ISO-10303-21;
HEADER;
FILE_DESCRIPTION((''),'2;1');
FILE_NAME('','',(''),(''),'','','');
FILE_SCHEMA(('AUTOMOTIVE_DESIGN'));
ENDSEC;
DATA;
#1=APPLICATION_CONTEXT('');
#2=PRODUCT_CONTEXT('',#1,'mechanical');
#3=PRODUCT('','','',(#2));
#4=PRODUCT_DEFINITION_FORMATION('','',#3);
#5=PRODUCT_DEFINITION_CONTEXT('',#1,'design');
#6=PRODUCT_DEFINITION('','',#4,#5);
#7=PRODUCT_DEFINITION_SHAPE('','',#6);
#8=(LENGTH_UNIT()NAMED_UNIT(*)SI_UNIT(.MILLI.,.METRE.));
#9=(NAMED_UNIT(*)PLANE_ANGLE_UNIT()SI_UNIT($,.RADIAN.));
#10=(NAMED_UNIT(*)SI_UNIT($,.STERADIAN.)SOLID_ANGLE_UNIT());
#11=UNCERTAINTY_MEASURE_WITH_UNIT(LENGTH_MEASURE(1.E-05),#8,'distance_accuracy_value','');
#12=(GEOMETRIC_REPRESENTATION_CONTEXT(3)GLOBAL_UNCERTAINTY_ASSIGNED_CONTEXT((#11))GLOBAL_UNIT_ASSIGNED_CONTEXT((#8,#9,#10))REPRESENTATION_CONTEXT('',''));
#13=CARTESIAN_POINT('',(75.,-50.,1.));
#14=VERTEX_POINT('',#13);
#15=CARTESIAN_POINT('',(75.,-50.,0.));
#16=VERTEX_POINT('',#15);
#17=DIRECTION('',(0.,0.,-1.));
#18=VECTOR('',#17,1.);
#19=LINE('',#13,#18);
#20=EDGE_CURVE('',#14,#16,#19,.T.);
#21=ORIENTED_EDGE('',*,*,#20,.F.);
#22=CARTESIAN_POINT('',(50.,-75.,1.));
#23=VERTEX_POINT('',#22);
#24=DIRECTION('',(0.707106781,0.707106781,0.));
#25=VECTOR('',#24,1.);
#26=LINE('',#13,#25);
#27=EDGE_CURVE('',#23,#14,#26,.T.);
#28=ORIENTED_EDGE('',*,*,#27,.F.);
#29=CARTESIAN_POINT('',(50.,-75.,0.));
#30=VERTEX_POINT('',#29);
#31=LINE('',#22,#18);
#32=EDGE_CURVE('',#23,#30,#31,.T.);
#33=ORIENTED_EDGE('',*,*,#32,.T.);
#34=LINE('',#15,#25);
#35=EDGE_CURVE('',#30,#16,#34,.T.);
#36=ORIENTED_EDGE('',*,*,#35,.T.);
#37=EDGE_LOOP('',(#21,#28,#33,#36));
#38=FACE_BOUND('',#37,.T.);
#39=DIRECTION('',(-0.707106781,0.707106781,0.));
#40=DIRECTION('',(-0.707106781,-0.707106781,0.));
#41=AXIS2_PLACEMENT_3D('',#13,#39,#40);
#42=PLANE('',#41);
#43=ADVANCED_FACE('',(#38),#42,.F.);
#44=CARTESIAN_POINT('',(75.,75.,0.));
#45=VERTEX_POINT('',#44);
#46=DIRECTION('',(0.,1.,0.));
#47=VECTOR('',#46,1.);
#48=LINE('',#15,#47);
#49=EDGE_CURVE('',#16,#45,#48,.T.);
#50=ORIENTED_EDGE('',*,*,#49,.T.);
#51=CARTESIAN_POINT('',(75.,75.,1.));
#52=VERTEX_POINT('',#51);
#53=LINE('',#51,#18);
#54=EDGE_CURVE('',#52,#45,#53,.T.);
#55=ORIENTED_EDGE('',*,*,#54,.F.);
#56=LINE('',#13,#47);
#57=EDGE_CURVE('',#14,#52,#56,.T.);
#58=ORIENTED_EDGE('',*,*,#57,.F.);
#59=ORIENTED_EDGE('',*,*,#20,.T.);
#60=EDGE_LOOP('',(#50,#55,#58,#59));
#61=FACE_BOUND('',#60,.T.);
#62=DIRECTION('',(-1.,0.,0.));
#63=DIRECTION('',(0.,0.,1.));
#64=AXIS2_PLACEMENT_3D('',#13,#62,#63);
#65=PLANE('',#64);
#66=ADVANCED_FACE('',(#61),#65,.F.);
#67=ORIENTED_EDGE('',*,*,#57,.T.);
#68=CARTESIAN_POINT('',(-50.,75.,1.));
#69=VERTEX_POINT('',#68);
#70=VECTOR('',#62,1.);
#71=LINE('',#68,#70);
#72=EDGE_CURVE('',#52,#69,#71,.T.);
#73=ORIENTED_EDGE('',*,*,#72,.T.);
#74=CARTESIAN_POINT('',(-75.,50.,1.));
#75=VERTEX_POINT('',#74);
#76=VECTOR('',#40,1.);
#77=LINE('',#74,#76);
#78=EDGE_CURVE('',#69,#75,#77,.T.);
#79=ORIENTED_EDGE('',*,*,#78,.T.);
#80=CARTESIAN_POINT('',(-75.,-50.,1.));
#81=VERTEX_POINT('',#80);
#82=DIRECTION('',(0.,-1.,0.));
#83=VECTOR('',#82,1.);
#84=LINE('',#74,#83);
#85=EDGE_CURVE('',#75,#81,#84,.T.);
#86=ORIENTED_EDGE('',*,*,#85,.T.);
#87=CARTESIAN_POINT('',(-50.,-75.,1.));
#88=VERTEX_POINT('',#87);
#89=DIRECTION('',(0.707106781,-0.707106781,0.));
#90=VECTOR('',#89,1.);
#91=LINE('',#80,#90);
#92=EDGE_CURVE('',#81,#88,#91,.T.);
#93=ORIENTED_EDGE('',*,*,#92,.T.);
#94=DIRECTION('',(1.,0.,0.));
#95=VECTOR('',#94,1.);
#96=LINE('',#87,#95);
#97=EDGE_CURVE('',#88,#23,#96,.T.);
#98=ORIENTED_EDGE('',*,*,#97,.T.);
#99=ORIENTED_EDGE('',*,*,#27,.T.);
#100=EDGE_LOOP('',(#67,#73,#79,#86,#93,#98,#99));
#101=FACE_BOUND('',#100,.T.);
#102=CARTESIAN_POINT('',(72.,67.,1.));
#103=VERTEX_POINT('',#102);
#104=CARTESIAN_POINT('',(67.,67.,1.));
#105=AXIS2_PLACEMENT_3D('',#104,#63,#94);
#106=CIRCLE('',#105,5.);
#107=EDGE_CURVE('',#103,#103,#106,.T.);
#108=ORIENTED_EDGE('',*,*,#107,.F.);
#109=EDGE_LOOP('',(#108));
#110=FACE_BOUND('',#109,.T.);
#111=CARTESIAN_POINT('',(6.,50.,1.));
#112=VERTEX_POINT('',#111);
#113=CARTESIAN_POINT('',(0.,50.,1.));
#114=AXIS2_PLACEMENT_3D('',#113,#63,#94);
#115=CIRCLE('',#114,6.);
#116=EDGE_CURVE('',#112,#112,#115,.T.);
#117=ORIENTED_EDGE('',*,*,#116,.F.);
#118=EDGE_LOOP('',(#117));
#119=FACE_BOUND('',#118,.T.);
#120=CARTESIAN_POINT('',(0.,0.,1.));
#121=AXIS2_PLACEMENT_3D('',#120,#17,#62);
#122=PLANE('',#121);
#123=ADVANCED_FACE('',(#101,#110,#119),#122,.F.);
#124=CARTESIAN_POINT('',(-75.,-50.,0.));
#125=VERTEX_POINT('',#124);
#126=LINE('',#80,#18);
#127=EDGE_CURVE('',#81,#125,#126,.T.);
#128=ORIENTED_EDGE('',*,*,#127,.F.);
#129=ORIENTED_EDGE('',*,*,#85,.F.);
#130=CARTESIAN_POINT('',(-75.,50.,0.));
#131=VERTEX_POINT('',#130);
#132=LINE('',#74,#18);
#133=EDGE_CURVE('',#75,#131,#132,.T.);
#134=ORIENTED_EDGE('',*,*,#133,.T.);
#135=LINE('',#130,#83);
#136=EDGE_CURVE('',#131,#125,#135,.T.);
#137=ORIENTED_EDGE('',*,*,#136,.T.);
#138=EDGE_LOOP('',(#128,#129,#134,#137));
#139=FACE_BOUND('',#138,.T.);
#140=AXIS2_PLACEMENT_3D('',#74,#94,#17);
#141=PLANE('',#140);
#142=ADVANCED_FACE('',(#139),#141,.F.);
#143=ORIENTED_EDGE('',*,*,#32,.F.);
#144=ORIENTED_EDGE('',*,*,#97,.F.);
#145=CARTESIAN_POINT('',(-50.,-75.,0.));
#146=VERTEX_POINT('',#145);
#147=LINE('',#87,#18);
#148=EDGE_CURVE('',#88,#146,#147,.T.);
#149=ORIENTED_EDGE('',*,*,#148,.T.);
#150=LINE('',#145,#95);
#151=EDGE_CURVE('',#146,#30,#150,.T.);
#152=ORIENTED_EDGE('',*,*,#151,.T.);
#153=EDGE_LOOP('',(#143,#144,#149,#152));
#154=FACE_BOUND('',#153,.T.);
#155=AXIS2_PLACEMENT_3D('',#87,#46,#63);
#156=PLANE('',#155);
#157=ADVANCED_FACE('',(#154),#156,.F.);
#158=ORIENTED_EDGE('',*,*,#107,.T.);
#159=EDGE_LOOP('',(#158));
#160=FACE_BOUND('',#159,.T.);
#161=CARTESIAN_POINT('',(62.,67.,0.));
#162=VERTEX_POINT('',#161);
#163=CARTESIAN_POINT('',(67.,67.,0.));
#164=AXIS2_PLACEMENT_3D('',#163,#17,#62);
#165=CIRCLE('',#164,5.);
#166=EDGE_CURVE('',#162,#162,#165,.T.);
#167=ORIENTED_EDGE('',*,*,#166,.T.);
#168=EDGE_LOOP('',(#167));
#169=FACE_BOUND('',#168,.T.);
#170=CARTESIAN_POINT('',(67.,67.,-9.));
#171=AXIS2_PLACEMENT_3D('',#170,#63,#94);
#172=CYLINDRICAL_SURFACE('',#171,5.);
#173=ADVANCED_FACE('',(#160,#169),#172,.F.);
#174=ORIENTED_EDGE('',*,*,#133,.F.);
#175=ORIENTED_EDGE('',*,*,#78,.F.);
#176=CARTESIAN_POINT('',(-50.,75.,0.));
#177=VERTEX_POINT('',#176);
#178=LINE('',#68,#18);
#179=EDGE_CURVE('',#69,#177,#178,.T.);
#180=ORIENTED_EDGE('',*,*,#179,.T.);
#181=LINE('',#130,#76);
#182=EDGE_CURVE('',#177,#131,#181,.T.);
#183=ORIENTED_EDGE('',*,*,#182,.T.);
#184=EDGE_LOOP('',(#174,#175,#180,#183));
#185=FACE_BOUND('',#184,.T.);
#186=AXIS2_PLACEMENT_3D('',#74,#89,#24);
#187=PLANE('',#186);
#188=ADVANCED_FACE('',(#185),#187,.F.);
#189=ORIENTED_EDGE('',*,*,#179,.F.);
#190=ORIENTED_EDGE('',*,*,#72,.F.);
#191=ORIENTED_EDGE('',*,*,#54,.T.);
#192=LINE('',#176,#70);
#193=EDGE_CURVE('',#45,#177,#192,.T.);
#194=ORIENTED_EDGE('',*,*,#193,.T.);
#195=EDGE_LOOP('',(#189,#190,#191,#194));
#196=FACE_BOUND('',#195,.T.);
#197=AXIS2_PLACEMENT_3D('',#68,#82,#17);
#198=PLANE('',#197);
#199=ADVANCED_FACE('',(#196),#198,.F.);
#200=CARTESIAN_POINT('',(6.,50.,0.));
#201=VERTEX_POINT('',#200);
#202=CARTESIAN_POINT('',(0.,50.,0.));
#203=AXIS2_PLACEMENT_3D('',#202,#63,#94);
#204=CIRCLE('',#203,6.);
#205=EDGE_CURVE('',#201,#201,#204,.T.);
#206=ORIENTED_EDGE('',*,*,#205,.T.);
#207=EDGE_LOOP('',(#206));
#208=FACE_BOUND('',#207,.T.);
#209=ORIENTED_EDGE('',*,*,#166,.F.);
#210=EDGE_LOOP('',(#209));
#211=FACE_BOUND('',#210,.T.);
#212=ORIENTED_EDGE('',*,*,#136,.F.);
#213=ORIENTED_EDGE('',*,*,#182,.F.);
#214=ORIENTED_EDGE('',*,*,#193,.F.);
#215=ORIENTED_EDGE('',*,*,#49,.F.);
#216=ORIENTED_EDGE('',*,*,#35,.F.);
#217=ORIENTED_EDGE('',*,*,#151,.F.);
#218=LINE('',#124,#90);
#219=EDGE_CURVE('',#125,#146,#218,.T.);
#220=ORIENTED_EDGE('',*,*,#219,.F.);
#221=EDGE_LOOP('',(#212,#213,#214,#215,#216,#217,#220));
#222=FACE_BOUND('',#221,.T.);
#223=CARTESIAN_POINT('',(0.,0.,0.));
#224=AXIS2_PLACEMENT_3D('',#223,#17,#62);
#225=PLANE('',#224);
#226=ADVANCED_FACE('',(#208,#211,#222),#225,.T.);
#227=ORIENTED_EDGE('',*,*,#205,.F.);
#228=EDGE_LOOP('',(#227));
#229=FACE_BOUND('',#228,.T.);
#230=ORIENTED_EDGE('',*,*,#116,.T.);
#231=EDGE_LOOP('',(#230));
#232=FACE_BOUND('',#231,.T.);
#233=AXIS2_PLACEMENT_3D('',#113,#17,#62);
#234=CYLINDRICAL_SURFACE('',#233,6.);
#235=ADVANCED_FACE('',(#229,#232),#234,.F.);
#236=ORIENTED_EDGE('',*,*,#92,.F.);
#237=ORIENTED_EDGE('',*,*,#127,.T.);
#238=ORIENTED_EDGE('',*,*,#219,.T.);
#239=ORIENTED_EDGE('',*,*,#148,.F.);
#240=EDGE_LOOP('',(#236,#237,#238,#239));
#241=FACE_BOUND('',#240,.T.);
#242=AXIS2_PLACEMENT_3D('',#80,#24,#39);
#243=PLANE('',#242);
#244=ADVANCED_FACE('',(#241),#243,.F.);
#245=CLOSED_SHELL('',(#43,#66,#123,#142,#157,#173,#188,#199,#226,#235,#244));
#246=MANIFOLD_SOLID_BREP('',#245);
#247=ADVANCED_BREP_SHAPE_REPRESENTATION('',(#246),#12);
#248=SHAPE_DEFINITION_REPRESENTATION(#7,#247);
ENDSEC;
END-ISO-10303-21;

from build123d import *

# Parameters (mm, degrees)
SKETCH1_R           = 6
BOSS_EXTRUDE1_DEPTH = 1
SKETCH2_R           = 5
CUT_EXTRUDE1_DEPTH  = 10


with BuildPart() as part:
    # Sketch1 → Boss-Extrude1 (new body)
    with BuildSketch(Plane.XY):
        Polygon((-75, 50), (-50, 75), (75, 75), (75, -50), (50, -75), (-50, -75), (-75, -50), align=None)
        with Locations((0, 50)):
            Circle(SKETCH1_R, mode=Mode.SUBTRACT)
    extrude(amount=BOSS_EXTRUDE1_DEPTH)

    # Sketch2 → Cut-Extrude1 (cut)
    with BuildSketch(Plane.XY.offset(1)):
        with Locations((67, 67)):
            Circle(SKETCH2_R)
    extrude(amount=-CUT_EXTRUDE1_DEPTH, mode=Mode.SUBTRACT)


solid = part.part
